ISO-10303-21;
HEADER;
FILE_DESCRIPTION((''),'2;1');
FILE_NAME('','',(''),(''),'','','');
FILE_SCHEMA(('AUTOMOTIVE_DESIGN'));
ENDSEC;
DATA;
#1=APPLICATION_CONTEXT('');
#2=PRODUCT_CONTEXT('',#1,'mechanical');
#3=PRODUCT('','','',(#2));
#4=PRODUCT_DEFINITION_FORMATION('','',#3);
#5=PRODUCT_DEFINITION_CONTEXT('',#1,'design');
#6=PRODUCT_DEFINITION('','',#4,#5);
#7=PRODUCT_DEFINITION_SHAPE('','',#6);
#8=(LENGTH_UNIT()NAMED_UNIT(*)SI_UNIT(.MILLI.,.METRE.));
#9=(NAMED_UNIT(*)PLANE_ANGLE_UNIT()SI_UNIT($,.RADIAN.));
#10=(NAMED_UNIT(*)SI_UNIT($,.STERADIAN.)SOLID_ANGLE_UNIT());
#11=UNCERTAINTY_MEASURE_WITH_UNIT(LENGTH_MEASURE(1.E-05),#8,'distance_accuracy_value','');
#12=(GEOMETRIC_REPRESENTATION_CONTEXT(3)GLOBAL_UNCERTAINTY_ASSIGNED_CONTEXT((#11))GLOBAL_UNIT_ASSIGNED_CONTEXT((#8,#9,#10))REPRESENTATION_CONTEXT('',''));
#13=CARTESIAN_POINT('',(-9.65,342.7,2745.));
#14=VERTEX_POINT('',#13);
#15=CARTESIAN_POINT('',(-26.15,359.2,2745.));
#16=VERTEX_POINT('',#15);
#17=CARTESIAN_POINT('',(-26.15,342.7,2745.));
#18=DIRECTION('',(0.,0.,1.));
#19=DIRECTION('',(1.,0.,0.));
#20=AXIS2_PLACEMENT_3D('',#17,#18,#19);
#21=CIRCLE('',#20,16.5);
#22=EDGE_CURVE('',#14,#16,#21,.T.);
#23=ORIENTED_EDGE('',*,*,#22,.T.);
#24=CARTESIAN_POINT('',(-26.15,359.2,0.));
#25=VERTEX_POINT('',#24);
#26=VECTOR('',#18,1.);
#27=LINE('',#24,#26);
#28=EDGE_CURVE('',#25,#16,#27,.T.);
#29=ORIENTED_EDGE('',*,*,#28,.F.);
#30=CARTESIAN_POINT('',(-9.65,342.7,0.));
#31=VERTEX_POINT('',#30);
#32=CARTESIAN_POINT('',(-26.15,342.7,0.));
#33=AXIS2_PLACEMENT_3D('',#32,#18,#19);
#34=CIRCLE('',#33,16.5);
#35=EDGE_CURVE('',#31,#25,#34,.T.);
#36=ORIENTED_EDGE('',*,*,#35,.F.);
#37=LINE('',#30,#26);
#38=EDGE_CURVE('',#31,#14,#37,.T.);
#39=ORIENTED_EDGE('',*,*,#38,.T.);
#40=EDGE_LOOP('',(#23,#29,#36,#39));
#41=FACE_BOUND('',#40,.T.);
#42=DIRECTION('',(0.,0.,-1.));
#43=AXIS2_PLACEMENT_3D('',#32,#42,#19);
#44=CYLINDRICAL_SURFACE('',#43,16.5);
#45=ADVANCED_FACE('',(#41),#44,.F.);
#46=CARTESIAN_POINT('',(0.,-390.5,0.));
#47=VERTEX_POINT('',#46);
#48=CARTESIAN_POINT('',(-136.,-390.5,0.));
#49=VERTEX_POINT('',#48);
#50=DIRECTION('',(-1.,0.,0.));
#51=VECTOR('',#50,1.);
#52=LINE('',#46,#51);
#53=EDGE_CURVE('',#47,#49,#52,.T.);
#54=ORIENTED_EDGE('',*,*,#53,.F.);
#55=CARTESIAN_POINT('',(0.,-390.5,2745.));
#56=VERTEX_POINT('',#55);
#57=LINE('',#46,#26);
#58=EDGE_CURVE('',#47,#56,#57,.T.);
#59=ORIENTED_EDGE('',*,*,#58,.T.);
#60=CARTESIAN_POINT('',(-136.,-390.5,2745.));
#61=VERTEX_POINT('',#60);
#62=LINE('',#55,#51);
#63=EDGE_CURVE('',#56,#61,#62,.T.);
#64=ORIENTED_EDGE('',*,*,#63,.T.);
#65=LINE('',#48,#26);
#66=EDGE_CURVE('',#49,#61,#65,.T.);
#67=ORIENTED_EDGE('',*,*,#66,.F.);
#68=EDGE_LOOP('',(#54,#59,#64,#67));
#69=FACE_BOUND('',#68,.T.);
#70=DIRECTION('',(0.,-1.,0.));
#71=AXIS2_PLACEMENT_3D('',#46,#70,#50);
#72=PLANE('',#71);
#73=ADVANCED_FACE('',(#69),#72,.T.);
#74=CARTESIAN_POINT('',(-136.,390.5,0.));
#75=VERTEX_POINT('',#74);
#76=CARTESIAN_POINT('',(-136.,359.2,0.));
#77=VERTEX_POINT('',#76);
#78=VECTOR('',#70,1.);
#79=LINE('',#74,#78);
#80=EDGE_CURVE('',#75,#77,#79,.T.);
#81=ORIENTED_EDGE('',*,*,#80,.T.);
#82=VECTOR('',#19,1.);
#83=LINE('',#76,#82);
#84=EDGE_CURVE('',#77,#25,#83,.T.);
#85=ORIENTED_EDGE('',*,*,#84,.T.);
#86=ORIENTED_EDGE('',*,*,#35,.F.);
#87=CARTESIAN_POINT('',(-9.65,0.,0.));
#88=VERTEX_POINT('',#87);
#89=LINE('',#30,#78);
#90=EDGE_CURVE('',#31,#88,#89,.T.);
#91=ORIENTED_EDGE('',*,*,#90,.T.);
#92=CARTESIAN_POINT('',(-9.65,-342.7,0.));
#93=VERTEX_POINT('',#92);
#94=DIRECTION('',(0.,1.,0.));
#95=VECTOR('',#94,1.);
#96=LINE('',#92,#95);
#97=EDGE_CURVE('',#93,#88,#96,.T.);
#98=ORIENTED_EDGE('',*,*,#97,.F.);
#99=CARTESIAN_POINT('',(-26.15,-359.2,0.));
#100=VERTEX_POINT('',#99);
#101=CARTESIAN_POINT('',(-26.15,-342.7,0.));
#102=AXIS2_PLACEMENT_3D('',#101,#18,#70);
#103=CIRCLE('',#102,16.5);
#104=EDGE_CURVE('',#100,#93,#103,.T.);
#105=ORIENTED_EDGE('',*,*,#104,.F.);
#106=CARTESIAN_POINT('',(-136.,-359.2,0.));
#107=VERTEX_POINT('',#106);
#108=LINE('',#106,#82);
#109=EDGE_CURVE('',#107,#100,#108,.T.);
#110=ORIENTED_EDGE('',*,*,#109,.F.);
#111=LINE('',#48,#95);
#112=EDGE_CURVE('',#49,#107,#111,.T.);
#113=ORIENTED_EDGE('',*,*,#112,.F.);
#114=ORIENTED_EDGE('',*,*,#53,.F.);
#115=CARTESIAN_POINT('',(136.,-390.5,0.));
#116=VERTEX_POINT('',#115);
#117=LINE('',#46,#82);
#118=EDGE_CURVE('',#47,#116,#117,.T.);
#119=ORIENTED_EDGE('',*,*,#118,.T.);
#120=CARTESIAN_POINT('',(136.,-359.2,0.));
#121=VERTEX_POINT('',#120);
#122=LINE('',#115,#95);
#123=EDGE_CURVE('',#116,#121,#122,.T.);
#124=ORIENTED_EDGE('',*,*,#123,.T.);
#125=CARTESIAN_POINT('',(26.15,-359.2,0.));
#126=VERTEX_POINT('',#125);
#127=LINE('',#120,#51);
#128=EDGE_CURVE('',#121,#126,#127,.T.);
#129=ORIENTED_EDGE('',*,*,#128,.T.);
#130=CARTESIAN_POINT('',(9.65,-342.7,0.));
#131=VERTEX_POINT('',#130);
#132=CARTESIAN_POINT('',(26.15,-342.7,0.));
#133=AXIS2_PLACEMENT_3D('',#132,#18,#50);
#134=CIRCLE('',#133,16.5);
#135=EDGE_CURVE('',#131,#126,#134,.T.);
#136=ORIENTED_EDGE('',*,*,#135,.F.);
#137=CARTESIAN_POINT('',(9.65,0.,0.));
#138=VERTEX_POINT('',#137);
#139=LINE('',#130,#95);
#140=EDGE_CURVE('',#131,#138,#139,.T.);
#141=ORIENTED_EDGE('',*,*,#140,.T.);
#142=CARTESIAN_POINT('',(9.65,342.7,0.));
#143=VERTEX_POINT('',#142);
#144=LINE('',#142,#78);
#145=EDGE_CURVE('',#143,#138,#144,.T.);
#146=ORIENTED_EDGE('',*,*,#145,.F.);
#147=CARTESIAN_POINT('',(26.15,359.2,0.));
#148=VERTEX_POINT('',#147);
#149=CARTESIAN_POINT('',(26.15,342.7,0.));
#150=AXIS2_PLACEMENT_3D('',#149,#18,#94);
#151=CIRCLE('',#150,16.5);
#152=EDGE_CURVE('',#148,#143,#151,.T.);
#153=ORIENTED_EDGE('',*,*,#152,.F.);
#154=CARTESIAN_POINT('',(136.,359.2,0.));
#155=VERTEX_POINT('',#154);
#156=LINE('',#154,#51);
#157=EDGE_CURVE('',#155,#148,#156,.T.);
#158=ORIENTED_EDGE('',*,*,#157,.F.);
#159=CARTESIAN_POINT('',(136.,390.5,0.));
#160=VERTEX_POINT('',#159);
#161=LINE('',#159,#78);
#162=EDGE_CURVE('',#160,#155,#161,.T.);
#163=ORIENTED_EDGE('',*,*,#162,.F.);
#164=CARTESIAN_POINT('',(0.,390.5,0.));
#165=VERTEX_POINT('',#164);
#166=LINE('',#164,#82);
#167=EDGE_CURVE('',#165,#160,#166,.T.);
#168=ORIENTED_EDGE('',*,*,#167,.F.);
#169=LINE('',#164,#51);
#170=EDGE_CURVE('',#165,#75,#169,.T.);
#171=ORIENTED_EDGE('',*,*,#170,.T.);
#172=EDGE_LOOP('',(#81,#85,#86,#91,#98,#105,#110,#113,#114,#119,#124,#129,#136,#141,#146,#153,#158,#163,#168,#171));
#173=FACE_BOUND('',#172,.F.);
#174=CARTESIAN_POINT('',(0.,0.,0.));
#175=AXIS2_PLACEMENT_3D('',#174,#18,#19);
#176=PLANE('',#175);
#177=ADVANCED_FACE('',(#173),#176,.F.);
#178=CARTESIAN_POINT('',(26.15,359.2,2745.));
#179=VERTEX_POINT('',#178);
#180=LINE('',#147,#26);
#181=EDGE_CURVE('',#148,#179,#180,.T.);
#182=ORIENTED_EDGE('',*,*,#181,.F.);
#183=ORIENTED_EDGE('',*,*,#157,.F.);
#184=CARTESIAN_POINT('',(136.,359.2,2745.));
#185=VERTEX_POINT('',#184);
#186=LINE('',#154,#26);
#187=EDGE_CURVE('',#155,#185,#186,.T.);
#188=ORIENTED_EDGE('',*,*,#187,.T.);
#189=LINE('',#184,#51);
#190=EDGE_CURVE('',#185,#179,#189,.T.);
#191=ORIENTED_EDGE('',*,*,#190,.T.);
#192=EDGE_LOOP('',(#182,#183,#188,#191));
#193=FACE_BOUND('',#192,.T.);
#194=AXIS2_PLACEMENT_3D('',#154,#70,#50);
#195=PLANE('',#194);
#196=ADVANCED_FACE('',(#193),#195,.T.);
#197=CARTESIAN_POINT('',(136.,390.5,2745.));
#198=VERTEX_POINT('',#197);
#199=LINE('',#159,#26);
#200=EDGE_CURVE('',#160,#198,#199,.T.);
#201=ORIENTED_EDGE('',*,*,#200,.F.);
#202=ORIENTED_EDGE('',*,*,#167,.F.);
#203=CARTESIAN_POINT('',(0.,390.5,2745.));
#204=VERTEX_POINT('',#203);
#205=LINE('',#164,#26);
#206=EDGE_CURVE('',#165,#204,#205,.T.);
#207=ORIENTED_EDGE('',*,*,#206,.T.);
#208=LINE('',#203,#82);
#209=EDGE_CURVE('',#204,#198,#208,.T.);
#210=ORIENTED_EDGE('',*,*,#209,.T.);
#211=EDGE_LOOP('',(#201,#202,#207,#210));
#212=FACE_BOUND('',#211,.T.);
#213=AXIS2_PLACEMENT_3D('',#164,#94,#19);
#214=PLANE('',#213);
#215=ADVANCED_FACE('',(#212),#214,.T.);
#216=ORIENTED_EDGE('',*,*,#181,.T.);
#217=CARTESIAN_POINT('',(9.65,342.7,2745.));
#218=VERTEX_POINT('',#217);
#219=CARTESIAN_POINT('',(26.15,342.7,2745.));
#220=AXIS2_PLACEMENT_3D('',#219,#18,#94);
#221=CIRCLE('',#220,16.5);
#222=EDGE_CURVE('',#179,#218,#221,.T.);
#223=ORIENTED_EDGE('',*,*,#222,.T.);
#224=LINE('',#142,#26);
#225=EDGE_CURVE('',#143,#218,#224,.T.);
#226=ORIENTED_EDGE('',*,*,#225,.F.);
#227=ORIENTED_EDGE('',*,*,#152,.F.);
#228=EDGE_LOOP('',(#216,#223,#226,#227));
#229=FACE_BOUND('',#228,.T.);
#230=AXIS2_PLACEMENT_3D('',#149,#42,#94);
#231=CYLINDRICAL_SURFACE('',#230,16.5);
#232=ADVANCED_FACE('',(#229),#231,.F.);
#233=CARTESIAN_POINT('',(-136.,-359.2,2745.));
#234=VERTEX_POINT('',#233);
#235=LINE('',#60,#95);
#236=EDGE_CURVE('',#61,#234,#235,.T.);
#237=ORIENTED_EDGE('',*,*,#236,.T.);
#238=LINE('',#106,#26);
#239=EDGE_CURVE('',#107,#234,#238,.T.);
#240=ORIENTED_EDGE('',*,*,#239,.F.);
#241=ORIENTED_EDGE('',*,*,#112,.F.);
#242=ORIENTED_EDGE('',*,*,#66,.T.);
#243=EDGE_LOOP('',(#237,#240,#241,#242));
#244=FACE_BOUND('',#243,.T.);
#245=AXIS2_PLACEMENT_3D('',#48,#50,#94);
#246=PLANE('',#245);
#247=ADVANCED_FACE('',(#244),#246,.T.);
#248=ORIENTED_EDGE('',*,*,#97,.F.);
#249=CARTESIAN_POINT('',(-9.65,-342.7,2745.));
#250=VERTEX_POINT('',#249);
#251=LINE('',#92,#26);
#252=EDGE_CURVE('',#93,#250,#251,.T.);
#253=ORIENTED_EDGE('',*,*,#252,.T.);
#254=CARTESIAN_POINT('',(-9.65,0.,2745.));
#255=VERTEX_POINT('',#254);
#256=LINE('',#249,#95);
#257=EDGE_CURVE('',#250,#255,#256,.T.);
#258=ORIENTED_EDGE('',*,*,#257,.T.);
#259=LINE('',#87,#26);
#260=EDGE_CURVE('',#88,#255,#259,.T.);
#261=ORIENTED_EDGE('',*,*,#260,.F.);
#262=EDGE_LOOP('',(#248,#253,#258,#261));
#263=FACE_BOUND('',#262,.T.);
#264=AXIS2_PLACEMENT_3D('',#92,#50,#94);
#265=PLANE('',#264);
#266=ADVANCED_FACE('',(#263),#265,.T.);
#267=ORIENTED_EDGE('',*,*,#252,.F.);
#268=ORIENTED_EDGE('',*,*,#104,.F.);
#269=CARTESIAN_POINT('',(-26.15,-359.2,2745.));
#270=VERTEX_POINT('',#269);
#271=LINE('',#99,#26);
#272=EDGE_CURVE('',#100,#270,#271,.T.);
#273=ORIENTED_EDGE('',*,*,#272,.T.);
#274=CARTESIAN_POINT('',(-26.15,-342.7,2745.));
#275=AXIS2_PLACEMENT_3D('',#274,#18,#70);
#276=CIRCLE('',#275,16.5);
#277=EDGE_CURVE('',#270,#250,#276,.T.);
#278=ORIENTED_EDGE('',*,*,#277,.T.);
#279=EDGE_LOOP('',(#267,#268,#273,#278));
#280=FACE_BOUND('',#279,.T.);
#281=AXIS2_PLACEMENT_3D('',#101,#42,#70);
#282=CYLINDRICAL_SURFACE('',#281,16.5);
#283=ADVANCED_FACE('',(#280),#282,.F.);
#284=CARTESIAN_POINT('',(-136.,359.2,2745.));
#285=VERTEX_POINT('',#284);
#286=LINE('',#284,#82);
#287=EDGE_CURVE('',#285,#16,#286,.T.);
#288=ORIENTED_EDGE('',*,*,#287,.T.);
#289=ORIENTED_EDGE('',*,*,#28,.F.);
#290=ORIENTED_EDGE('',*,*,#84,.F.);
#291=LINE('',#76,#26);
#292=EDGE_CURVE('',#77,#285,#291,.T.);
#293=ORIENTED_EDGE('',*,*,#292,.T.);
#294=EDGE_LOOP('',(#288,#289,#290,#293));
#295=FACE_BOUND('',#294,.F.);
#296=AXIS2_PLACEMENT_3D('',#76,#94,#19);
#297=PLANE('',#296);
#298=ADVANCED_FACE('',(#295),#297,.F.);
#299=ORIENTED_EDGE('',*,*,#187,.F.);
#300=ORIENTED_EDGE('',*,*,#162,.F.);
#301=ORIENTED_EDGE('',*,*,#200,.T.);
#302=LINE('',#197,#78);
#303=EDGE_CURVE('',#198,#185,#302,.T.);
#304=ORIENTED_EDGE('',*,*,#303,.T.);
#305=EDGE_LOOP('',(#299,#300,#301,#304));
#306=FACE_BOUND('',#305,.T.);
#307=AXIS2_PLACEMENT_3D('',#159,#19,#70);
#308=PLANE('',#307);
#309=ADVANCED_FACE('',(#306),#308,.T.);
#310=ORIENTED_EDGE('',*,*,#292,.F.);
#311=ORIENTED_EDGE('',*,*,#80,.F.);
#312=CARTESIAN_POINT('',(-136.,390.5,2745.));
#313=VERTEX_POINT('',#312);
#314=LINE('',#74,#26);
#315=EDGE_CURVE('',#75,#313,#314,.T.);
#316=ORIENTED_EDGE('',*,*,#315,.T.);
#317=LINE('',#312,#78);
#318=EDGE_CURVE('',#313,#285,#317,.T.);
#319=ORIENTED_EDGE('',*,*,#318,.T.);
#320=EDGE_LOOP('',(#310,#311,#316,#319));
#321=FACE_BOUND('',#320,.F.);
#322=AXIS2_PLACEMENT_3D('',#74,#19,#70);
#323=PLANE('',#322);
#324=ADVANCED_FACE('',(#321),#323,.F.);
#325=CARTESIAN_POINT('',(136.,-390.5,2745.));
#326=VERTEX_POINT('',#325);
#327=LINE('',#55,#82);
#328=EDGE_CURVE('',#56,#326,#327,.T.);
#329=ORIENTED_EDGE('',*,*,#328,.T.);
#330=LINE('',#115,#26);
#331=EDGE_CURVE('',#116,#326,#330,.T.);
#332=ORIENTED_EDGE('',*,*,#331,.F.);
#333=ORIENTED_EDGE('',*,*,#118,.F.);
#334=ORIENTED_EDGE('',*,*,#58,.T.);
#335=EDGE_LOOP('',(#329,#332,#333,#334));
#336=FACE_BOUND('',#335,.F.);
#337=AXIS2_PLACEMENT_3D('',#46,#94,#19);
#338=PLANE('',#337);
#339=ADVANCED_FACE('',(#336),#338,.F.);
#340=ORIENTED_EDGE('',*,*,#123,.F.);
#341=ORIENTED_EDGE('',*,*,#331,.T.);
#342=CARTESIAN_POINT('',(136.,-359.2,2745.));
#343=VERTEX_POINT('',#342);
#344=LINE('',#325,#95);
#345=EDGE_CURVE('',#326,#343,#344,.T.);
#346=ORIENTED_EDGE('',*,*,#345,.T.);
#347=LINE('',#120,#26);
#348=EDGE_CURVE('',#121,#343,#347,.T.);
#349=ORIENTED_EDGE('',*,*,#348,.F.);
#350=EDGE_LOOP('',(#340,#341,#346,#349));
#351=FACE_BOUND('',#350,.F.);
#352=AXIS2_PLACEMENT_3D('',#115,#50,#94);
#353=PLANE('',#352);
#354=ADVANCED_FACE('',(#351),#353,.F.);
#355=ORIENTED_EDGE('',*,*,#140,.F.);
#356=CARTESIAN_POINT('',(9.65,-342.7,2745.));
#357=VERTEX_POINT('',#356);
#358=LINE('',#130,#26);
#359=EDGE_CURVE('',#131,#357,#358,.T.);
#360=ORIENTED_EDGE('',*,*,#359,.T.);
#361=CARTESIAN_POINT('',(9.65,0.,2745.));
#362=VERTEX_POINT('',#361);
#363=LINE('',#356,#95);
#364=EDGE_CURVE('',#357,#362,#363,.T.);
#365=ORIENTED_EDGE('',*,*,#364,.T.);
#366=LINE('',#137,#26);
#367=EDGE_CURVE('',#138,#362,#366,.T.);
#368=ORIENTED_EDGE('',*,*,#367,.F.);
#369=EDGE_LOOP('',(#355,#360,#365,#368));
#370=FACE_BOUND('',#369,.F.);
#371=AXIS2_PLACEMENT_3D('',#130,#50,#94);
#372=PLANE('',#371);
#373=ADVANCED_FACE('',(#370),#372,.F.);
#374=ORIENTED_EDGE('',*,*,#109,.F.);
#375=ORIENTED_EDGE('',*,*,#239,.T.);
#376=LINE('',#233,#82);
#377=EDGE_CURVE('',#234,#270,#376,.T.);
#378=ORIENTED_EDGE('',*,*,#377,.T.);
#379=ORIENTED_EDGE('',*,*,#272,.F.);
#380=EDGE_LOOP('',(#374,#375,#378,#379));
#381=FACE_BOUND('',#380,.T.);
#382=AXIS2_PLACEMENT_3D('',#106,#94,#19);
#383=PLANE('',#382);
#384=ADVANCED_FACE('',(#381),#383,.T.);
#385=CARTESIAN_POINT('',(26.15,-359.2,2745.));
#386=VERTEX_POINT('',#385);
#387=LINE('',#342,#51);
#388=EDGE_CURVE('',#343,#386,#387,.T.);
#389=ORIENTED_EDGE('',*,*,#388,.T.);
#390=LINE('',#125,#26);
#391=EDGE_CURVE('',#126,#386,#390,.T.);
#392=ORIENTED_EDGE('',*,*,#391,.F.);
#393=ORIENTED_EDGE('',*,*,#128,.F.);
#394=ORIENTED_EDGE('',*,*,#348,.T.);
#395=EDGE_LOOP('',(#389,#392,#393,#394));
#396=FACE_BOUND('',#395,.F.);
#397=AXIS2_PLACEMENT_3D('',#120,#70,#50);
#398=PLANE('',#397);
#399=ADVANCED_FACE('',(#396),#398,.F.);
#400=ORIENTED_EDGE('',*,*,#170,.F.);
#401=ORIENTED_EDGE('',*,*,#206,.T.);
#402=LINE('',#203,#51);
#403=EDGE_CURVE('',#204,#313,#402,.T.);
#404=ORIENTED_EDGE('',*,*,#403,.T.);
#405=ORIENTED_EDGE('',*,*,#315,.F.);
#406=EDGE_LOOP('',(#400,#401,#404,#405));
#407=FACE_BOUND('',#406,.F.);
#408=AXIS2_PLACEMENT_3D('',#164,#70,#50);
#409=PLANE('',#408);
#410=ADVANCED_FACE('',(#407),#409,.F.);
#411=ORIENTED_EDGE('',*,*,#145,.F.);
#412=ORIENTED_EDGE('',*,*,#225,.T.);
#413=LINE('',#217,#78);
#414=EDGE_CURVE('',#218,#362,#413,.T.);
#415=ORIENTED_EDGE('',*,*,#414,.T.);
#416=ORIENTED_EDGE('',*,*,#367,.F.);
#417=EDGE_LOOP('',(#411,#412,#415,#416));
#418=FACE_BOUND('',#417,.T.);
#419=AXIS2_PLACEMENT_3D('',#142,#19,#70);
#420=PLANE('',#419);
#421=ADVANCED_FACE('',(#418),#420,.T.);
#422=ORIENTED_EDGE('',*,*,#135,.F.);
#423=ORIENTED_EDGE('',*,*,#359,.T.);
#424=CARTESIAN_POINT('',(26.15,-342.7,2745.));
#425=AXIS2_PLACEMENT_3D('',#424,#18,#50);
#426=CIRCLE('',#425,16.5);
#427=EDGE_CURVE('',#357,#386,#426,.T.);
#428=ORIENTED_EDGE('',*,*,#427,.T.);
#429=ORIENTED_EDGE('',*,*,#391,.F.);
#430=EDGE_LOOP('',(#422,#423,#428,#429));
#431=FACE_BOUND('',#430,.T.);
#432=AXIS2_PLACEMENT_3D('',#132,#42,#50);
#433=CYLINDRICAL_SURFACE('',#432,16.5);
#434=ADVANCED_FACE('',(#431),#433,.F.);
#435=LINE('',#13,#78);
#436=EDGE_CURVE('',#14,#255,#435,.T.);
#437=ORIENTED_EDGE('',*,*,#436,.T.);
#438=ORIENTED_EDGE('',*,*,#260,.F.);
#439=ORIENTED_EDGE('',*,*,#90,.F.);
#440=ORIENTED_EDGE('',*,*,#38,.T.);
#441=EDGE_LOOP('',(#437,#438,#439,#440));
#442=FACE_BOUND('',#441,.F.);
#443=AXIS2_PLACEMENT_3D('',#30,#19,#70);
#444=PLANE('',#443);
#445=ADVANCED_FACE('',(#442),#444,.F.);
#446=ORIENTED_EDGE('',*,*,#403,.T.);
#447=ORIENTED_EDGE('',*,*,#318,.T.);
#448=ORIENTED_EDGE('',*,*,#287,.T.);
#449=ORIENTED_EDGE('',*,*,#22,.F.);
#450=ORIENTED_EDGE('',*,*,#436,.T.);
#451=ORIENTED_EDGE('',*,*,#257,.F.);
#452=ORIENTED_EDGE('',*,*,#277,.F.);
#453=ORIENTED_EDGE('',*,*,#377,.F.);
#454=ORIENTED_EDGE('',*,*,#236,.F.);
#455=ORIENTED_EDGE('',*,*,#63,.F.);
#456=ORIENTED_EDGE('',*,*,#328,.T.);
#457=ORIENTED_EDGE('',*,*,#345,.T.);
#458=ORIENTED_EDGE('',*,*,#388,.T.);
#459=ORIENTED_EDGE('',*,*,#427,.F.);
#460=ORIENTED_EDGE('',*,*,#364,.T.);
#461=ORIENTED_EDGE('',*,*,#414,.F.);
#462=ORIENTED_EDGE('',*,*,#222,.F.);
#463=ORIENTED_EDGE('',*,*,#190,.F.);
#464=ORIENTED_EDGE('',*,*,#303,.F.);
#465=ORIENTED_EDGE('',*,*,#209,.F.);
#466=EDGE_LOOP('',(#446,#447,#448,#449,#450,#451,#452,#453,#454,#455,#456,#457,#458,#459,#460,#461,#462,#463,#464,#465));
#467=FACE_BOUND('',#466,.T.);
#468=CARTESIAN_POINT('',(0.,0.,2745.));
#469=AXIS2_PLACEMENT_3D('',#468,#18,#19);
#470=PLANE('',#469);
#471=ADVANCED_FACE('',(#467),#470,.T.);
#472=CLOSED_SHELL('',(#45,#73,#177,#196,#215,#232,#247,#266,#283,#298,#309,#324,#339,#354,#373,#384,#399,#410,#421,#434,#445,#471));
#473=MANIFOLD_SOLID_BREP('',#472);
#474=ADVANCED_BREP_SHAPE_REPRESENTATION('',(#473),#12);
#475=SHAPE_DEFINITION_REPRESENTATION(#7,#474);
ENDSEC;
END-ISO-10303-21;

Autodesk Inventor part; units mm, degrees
ref_plane "YZ Plane" through (0, 0, 0) normal (1, 0, 0) x (0, 1, 0)
ref_plane "Start plane" through (0, 0, 0) normal (0, 0, 1) x (1, 0, 0)
ref_plane "End plane" through (0, 0, 2745) normal (0, 0, 1) x (1, 0, 0)
sketch "Sketch" plane through (0, 0, 0) normal (0, 0, 1) x (1, 0, 0)
  line L0 (-136, -390.5) -> (-136, -359.2)
  line L1 (-136, -359.2) -> (-26.15, -359.2)
  line L2 (-9.65, -342.7) -> (-9.65, 0)
  line L3 (-9.65, 0) -> (0, 0) construction
  line L4 (0, 0) -> (0, -390.5) construction
  line L5 (0, -390.5) -> (-136, -390.5)
  line L6 (-60, 0) -> (80, 0) construction
  line L7 (0, -60) -> (0, 80) construction
  line L8 (136, -390.5) -> (136, -359.2)
  line L9 (136, -359.2) -> (26.15, -359.2)
  line L10 (9.65, -342.7) -> (9.65, 0)
  line L11 (9.65, 0) -> (0, 0) construction
  line L12 (0, -390.5) -> (136, -390.5)
  line L13 (-136, 390.5) -> (-136, 359.2)
  line L14 (-136, 359.2) -> (-26.15, 359.2)
  line L15 (-9.65, 342.7) -> (-9.65, 0)
  line L16 (0, 390.5) -> (-136, 390.5)
  line L17 (136, 390.5) -> (136, 359.2)
  line L18 (136, 359.2) -> (26.15, 359.2)
  line L19 (0, 390.5) -> (136, 390.5)
  line L20 (9.65, 342.7) -> (9.65, 0)
  arc A0 (-9.65, 342.7) -> (-26.15, 359.2) centre (-26.15, 342.7) ccw
  arc A1 (26.15, 359.2) -> (9.65, 342.7) centre (26.15, 342.7) ccw
  arc A2 (9.65, -342.7) -> (26.15, -359.2) centre (26.15, -342.7) ccw
  arc A3 (-26.15, -359.2) -> (-9.65, -342.7) centre (-26.15, -342.7) ccw
  line L21 (0, 108) -> (0, -88) construction
  line L22 (-88, 0) -> (108, 0) construction
  point P0 (-9.65, -359.2)
  point P1 (9.65, -359.2)
  point P2 (-9.65, 359.2)
  point P3 (9.65, 359.2)
  dimension "d1" = 390.5
  dimension "d2" = 31.3
  dimension "d3" = 136
  dimension "d4" = 9.65
  dimension "d10" = 16.5
extrude "Body" add sketch "Sketch" along normal up to surface (2745 mm away) from surface at 0
sketch "Sketch4" plane through (0, 0, 0) normal (0, 0, 1) x (1, 0, 0)
  line L0 (0, 0) -> (10, 0)
ref_plane "Work Plane3" through (0, 0, 0) normal (0, -1, 0) x (1, 0, 0)
sketch "Sketch5" plane through (0, 0, 0) normal (0, -1, 0) x (1, 0, 0)
  line L0 (-2, 0) -> (12, 0) projected
  line L1 (-2, 2745) -> (12, 2745) projected
  dimension "d14" = 2745
equation "\"d1\" = 0.5 * G_H"
equation "\"d2\" = G_T1"
equation "\"d3\" = 0.5 * G_W"
equation "\"d4\" = 0.5 * G_T"
equation "\"d10\" = G_IR"
equation "\"d5\" = G_L"
equation "\"G_W\" = 272"
equation "\"G_H\" = 781"
equation "\"G_T\" = 19.3"
equation "\"G_T1\" = 31.3"
equation "\"G_IR\" = 16.5"
equation "\"G_L\" = d14"
equation "\"G_OFFSET_START\" = 0"
equation "\"G_OFFSET_END\" = 0"
equation "\"d12\" = G_OFFSET_END + B_L"
equation "\"B_L\" = 2745"
properties part number "AS 3679-1990 - 760 UB - 244 - 2745" material "Steel, Mild"
